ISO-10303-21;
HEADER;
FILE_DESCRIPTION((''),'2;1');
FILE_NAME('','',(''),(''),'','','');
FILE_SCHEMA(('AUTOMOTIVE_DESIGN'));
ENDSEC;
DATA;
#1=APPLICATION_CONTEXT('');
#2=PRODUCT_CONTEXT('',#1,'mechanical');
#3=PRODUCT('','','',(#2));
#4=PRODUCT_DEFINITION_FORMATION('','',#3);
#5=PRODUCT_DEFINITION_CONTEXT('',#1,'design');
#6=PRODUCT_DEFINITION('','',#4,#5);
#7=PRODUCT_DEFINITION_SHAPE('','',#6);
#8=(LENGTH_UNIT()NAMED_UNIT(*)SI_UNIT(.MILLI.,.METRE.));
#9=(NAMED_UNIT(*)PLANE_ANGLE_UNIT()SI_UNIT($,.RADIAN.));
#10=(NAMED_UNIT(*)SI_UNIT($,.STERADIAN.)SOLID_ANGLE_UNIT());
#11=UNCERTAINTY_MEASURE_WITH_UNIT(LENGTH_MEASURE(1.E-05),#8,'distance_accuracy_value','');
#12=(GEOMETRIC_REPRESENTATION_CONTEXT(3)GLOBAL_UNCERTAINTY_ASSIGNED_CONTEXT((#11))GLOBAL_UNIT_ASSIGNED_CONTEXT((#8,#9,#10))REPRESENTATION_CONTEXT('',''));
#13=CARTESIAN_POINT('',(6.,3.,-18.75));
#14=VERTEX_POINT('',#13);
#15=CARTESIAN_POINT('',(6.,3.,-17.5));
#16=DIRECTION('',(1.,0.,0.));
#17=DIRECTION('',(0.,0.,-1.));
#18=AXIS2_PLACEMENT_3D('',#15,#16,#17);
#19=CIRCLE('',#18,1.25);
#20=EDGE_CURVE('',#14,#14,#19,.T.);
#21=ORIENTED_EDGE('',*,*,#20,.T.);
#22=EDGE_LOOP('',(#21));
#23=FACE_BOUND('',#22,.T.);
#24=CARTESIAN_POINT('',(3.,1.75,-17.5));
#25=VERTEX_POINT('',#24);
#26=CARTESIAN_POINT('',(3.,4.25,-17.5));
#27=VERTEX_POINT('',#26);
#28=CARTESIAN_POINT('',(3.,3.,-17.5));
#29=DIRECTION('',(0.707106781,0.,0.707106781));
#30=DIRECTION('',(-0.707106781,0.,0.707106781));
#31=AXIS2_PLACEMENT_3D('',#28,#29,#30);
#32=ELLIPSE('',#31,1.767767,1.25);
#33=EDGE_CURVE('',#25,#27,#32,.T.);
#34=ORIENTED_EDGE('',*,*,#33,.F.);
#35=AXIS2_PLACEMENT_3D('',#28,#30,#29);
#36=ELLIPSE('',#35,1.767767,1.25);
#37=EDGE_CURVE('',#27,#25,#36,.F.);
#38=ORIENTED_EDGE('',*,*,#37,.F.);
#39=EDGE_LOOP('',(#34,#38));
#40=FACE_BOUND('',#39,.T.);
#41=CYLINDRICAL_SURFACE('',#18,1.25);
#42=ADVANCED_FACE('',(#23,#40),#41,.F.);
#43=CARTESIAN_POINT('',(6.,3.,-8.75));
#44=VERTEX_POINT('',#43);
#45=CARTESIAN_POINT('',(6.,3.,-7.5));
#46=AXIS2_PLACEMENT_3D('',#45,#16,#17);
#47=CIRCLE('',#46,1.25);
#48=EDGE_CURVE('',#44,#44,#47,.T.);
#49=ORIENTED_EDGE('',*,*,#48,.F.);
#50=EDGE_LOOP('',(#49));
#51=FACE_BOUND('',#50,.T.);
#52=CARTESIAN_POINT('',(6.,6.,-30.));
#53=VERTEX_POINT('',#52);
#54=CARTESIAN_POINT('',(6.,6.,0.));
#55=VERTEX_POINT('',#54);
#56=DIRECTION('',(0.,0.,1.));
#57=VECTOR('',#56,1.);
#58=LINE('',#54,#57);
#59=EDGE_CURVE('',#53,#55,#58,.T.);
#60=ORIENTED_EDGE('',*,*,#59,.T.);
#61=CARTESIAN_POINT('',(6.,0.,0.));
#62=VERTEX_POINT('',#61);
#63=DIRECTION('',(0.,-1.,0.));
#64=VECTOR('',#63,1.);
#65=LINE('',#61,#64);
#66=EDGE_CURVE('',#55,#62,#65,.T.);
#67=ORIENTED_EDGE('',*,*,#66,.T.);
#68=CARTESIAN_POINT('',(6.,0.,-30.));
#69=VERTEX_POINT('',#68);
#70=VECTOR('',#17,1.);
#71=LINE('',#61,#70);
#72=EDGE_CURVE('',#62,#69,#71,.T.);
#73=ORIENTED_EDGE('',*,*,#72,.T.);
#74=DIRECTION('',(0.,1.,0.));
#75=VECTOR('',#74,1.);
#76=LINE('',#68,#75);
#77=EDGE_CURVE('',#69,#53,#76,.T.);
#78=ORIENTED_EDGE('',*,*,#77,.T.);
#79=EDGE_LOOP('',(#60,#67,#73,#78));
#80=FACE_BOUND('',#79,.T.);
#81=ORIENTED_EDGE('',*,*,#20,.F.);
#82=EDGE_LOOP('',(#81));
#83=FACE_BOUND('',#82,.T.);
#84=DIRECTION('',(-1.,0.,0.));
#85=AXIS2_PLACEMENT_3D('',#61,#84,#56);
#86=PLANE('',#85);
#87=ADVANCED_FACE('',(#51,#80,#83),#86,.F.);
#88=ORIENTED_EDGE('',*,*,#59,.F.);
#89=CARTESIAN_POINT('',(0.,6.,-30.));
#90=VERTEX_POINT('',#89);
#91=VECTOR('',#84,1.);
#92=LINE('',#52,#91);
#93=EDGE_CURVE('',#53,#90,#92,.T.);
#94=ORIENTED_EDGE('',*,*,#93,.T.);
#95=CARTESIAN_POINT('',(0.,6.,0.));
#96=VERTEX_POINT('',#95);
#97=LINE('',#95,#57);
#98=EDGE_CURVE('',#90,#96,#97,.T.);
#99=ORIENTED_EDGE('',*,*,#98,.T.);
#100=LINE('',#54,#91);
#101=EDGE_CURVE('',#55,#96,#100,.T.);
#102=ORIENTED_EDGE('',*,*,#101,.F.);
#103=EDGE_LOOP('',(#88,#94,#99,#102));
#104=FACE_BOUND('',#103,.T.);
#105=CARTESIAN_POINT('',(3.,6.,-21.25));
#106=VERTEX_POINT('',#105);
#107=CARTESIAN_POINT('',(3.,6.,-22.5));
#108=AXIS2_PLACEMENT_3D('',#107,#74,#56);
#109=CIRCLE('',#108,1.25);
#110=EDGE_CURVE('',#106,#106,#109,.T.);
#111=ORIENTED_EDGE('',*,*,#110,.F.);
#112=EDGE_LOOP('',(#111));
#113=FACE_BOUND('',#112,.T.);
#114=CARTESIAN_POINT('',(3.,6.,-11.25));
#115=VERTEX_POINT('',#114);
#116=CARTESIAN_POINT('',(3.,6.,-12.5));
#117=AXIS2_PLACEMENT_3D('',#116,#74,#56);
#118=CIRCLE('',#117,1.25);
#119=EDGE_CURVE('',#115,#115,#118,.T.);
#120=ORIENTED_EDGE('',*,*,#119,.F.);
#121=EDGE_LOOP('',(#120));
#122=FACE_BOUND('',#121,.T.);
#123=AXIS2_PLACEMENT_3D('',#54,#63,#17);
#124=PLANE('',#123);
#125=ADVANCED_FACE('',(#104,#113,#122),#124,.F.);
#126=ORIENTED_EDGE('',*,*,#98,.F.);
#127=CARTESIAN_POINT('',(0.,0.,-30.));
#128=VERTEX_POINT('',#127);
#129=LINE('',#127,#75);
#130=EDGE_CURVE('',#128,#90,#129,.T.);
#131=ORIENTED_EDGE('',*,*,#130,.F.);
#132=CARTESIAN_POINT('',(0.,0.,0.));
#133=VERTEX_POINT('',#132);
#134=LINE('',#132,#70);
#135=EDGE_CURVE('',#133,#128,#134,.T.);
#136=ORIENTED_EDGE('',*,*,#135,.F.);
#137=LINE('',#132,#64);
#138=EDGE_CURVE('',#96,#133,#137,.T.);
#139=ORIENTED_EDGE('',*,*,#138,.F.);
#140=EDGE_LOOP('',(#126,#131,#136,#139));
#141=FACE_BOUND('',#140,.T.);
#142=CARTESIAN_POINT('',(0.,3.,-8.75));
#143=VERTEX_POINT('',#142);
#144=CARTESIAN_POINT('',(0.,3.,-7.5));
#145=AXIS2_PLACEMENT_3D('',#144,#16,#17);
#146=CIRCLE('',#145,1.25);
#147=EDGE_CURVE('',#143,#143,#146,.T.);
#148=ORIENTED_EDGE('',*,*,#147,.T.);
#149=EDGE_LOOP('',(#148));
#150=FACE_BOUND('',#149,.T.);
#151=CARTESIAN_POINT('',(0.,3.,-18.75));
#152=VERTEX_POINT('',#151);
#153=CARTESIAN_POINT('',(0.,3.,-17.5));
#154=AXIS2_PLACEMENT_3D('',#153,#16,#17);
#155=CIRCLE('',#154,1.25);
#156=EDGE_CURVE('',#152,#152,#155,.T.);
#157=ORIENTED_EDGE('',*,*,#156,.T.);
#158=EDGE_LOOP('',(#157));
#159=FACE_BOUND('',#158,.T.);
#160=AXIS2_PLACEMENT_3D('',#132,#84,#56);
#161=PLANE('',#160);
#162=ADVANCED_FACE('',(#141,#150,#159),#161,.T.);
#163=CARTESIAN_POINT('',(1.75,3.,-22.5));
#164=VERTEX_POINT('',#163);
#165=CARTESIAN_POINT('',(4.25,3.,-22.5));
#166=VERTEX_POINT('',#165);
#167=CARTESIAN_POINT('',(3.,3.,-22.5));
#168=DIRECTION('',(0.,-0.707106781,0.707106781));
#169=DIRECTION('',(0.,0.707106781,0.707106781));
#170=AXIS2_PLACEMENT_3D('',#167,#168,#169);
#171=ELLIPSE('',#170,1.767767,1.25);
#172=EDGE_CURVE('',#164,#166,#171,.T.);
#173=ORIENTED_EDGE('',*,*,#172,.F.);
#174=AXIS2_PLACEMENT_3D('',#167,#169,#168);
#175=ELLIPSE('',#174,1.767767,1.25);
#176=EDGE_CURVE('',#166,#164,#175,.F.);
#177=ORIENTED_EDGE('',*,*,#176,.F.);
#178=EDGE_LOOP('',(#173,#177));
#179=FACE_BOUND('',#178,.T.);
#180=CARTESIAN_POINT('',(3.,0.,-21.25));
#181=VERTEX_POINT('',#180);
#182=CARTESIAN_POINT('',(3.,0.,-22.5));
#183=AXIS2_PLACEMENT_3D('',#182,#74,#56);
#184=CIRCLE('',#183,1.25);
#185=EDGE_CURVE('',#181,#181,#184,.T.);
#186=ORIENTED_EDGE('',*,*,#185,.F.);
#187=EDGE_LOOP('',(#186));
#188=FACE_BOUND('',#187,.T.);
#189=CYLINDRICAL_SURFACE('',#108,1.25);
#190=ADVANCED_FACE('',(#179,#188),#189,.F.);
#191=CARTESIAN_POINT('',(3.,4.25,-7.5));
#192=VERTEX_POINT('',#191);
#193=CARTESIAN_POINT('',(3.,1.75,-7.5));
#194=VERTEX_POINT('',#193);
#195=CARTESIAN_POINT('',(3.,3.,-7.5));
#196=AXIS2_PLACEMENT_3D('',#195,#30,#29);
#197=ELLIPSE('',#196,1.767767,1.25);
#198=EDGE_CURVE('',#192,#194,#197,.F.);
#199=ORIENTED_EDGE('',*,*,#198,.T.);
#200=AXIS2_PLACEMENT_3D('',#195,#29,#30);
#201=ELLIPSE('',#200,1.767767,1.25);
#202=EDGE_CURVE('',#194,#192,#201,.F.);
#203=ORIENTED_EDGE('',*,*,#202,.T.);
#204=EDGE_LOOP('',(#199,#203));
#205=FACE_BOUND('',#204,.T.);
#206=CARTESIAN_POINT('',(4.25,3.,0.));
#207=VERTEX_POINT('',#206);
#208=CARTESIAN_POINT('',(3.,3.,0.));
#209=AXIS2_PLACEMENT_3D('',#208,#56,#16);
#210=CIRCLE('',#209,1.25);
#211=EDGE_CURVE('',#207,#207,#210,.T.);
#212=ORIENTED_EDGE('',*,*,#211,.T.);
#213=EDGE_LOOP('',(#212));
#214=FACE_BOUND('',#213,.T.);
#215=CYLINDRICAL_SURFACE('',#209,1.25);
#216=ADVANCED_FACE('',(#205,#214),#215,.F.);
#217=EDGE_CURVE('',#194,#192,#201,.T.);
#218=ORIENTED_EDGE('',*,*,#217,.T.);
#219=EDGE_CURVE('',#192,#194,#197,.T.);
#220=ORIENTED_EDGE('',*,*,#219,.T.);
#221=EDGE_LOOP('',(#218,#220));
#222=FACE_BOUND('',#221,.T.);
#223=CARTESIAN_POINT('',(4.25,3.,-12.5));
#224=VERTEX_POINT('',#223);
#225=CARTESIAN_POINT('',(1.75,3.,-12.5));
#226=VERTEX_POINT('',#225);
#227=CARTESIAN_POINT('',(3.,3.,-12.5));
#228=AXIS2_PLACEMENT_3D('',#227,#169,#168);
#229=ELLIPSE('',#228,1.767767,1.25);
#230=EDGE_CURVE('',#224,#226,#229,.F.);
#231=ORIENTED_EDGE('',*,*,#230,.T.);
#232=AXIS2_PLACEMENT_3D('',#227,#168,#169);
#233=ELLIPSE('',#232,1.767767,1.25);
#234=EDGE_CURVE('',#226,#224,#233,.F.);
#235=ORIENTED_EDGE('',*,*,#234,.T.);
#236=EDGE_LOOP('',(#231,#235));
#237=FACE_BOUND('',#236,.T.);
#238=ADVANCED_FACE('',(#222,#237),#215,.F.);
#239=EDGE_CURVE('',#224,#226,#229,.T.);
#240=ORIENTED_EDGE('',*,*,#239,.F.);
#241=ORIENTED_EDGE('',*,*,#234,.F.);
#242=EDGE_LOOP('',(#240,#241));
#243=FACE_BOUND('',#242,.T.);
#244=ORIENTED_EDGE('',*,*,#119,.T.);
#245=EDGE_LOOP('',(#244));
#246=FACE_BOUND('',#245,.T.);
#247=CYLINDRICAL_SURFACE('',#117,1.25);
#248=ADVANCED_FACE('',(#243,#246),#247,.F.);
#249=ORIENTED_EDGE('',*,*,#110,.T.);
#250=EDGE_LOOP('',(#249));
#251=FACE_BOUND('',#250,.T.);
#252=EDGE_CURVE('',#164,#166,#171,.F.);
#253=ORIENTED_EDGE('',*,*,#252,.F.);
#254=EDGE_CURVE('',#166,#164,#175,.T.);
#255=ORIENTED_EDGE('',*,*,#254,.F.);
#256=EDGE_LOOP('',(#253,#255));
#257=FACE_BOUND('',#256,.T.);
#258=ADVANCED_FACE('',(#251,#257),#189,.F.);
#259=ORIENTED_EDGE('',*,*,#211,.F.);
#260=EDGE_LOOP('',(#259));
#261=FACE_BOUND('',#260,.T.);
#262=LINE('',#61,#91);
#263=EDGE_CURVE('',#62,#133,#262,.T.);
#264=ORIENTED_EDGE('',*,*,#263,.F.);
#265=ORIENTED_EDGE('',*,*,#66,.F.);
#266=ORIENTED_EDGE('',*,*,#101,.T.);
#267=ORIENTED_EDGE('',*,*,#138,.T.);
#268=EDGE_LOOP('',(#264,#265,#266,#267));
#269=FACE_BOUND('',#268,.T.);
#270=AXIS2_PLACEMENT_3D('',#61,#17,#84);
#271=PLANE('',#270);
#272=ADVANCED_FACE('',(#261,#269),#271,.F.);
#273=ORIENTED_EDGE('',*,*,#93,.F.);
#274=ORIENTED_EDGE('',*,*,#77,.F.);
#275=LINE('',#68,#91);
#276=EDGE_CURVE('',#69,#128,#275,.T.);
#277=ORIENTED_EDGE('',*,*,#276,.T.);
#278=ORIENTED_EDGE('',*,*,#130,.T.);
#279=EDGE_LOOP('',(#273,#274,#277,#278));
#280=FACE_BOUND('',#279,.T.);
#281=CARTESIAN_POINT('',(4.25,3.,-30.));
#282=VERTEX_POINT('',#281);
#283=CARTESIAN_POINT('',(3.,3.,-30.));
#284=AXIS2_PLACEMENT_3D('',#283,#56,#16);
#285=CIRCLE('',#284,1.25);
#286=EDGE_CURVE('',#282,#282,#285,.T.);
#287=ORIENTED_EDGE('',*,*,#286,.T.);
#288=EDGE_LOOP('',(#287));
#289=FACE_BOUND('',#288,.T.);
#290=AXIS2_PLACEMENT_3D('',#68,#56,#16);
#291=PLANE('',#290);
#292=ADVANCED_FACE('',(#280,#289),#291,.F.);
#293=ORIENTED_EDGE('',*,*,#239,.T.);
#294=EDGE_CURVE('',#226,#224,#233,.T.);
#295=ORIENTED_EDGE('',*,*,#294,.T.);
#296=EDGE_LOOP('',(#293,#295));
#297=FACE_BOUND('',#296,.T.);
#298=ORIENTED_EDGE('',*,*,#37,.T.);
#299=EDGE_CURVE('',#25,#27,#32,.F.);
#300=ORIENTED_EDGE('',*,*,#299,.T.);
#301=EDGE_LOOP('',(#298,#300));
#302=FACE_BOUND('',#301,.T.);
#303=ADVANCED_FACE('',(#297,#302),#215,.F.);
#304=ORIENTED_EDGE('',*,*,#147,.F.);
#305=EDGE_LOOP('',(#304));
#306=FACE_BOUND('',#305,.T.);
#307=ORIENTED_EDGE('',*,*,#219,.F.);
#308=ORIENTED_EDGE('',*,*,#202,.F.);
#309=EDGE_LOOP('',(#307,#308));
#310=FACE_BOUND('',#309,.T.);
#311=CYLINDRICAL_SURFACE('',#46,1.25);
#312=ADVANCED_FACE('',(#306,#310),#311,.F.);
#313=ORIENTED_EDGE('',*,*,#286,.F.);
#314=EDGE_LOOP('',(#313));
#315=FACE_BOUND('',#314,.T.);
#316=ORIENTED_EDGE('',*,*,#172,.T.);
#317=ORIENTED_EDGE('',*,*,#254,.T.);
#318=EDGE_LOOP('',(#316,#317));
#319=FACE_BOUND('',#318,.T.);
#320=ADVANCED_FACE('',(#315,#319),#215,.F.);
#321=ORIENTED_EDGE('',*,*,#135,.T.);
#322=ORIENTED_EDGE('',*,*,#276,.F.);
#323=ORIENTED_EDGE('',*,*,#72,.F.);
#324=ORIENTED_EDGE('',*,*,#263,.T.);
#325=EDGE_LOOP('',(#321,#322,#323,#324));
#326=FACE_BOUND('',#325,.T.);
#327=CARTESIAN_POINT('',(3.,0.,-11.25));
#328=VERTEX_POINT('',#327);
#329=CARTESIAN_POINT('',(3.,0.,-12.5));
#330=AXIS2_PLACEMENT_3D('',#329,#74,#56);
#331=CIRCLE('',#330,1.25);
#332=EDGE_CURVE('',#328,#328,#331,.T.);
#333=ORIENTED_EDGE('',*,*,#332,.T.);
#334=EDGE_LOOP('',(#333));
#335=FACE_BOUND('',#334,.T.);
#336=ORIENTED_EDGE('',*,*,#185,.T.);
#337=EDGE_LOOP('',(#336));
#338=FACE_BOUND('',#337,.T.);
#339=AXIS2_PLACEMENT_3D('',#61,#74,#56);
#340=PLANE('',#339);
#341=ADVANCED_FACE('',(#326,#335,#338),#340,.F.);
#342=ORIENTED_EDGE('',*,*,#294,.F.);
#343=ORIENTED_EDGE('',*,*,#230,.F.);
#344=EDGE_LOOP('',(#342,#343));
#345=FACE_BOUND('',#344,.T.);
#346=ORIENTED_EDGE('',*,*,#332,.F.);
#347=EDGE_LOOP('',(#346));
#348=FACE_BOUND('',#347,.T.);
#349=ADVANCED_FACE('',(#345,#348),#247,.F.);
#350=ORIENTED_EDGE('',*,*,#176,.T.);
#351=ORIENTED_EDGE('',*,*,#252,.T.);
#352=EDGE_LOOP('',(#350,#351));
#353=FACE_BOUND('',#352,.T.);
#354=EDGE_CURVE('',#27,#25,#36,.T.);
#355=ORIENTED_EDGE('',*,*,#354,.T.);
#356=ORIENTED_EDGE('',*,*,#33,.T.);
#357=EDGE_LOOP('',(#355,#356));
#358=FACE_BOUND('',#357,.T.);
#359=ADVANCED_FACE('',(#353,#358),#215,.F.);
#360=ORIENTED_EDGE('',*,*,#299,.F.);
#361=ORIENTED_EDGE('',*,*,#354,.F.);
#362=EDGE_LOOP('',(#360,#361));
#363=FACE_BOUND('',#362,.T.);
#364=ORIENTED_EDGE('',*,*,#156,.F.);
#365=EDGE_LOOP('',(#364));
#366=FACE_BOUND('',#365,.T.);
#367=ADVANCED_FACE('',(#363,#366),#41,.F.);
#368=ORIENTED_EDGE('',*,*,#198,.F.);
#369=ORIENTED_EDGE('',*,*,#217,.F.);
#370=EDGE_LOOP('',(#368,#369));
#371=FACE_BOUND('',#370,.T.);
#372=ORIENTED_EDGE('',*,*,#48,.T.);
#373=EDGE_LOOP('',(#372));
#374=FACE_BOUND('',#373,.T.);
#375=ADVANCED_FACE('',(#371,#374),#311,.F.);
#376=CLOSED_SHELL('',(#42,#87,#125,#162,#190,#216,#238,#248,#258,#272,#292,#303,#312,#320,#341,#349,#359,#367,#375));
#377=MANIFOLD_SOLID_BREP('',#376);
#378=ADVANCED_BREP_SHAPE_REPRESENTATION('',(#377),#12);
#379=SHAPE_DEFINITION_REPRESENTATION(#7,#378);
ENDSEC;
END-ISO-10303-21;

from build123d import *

# Parameters (mm, degrees)
SKETCH_1_W         = 30
SKETCH_1_H         = 6
EXTRUDE_1_DEPTH    = 6
HOLE_WIZARD_M3_1_D = 2.5
HOLE_WIZARD_M3_2_D = 2.5
HOLE_WIZARD_M3_3_D = 2.5


with BuildPart() as part:
    # 草图1 → 凸台-拉伸1 (new body)
    with BuildSketch(Plane(origin=(0, 0, 0), x_dir=(0, 0, -1), z_dir=(1, 0, 0))):
        with Locations((15, 3)):
            Rectangle(SKETCH_1_W, SKETCH_1_H)
    extrude(amount=EXTRUDE_1_DEPTH)

    # M3 螺纹孔1 (through all)
    with Locations(Plane.XY):
        with Locations((3, 3)):
            Hole(HOLE_WIZARD_M3_1_D / 2)

    # M3 螺纹孔2 (through all)
    with Locations(Plane(origin=(0, 6, 0), x_dir=(1, 0, 0), z_dir=(0, 1, 0))):
        with Locations((3, 12.5), (3, 22.5)):
            Hole(HOLE_WIZARD_M3_2_D / 2)

    # M3 螺纹孔3 (through all)
    with Locations(Plane(origin=(6, 0, 0), x_dir=(0, 0, -1), z_dir=(1, 0, 0))):
        with Locations((17.5, 3), (7.5, 3)):
            Hole(HOLE_WIZARD_M3_3_D / 2)


solid = part.part
